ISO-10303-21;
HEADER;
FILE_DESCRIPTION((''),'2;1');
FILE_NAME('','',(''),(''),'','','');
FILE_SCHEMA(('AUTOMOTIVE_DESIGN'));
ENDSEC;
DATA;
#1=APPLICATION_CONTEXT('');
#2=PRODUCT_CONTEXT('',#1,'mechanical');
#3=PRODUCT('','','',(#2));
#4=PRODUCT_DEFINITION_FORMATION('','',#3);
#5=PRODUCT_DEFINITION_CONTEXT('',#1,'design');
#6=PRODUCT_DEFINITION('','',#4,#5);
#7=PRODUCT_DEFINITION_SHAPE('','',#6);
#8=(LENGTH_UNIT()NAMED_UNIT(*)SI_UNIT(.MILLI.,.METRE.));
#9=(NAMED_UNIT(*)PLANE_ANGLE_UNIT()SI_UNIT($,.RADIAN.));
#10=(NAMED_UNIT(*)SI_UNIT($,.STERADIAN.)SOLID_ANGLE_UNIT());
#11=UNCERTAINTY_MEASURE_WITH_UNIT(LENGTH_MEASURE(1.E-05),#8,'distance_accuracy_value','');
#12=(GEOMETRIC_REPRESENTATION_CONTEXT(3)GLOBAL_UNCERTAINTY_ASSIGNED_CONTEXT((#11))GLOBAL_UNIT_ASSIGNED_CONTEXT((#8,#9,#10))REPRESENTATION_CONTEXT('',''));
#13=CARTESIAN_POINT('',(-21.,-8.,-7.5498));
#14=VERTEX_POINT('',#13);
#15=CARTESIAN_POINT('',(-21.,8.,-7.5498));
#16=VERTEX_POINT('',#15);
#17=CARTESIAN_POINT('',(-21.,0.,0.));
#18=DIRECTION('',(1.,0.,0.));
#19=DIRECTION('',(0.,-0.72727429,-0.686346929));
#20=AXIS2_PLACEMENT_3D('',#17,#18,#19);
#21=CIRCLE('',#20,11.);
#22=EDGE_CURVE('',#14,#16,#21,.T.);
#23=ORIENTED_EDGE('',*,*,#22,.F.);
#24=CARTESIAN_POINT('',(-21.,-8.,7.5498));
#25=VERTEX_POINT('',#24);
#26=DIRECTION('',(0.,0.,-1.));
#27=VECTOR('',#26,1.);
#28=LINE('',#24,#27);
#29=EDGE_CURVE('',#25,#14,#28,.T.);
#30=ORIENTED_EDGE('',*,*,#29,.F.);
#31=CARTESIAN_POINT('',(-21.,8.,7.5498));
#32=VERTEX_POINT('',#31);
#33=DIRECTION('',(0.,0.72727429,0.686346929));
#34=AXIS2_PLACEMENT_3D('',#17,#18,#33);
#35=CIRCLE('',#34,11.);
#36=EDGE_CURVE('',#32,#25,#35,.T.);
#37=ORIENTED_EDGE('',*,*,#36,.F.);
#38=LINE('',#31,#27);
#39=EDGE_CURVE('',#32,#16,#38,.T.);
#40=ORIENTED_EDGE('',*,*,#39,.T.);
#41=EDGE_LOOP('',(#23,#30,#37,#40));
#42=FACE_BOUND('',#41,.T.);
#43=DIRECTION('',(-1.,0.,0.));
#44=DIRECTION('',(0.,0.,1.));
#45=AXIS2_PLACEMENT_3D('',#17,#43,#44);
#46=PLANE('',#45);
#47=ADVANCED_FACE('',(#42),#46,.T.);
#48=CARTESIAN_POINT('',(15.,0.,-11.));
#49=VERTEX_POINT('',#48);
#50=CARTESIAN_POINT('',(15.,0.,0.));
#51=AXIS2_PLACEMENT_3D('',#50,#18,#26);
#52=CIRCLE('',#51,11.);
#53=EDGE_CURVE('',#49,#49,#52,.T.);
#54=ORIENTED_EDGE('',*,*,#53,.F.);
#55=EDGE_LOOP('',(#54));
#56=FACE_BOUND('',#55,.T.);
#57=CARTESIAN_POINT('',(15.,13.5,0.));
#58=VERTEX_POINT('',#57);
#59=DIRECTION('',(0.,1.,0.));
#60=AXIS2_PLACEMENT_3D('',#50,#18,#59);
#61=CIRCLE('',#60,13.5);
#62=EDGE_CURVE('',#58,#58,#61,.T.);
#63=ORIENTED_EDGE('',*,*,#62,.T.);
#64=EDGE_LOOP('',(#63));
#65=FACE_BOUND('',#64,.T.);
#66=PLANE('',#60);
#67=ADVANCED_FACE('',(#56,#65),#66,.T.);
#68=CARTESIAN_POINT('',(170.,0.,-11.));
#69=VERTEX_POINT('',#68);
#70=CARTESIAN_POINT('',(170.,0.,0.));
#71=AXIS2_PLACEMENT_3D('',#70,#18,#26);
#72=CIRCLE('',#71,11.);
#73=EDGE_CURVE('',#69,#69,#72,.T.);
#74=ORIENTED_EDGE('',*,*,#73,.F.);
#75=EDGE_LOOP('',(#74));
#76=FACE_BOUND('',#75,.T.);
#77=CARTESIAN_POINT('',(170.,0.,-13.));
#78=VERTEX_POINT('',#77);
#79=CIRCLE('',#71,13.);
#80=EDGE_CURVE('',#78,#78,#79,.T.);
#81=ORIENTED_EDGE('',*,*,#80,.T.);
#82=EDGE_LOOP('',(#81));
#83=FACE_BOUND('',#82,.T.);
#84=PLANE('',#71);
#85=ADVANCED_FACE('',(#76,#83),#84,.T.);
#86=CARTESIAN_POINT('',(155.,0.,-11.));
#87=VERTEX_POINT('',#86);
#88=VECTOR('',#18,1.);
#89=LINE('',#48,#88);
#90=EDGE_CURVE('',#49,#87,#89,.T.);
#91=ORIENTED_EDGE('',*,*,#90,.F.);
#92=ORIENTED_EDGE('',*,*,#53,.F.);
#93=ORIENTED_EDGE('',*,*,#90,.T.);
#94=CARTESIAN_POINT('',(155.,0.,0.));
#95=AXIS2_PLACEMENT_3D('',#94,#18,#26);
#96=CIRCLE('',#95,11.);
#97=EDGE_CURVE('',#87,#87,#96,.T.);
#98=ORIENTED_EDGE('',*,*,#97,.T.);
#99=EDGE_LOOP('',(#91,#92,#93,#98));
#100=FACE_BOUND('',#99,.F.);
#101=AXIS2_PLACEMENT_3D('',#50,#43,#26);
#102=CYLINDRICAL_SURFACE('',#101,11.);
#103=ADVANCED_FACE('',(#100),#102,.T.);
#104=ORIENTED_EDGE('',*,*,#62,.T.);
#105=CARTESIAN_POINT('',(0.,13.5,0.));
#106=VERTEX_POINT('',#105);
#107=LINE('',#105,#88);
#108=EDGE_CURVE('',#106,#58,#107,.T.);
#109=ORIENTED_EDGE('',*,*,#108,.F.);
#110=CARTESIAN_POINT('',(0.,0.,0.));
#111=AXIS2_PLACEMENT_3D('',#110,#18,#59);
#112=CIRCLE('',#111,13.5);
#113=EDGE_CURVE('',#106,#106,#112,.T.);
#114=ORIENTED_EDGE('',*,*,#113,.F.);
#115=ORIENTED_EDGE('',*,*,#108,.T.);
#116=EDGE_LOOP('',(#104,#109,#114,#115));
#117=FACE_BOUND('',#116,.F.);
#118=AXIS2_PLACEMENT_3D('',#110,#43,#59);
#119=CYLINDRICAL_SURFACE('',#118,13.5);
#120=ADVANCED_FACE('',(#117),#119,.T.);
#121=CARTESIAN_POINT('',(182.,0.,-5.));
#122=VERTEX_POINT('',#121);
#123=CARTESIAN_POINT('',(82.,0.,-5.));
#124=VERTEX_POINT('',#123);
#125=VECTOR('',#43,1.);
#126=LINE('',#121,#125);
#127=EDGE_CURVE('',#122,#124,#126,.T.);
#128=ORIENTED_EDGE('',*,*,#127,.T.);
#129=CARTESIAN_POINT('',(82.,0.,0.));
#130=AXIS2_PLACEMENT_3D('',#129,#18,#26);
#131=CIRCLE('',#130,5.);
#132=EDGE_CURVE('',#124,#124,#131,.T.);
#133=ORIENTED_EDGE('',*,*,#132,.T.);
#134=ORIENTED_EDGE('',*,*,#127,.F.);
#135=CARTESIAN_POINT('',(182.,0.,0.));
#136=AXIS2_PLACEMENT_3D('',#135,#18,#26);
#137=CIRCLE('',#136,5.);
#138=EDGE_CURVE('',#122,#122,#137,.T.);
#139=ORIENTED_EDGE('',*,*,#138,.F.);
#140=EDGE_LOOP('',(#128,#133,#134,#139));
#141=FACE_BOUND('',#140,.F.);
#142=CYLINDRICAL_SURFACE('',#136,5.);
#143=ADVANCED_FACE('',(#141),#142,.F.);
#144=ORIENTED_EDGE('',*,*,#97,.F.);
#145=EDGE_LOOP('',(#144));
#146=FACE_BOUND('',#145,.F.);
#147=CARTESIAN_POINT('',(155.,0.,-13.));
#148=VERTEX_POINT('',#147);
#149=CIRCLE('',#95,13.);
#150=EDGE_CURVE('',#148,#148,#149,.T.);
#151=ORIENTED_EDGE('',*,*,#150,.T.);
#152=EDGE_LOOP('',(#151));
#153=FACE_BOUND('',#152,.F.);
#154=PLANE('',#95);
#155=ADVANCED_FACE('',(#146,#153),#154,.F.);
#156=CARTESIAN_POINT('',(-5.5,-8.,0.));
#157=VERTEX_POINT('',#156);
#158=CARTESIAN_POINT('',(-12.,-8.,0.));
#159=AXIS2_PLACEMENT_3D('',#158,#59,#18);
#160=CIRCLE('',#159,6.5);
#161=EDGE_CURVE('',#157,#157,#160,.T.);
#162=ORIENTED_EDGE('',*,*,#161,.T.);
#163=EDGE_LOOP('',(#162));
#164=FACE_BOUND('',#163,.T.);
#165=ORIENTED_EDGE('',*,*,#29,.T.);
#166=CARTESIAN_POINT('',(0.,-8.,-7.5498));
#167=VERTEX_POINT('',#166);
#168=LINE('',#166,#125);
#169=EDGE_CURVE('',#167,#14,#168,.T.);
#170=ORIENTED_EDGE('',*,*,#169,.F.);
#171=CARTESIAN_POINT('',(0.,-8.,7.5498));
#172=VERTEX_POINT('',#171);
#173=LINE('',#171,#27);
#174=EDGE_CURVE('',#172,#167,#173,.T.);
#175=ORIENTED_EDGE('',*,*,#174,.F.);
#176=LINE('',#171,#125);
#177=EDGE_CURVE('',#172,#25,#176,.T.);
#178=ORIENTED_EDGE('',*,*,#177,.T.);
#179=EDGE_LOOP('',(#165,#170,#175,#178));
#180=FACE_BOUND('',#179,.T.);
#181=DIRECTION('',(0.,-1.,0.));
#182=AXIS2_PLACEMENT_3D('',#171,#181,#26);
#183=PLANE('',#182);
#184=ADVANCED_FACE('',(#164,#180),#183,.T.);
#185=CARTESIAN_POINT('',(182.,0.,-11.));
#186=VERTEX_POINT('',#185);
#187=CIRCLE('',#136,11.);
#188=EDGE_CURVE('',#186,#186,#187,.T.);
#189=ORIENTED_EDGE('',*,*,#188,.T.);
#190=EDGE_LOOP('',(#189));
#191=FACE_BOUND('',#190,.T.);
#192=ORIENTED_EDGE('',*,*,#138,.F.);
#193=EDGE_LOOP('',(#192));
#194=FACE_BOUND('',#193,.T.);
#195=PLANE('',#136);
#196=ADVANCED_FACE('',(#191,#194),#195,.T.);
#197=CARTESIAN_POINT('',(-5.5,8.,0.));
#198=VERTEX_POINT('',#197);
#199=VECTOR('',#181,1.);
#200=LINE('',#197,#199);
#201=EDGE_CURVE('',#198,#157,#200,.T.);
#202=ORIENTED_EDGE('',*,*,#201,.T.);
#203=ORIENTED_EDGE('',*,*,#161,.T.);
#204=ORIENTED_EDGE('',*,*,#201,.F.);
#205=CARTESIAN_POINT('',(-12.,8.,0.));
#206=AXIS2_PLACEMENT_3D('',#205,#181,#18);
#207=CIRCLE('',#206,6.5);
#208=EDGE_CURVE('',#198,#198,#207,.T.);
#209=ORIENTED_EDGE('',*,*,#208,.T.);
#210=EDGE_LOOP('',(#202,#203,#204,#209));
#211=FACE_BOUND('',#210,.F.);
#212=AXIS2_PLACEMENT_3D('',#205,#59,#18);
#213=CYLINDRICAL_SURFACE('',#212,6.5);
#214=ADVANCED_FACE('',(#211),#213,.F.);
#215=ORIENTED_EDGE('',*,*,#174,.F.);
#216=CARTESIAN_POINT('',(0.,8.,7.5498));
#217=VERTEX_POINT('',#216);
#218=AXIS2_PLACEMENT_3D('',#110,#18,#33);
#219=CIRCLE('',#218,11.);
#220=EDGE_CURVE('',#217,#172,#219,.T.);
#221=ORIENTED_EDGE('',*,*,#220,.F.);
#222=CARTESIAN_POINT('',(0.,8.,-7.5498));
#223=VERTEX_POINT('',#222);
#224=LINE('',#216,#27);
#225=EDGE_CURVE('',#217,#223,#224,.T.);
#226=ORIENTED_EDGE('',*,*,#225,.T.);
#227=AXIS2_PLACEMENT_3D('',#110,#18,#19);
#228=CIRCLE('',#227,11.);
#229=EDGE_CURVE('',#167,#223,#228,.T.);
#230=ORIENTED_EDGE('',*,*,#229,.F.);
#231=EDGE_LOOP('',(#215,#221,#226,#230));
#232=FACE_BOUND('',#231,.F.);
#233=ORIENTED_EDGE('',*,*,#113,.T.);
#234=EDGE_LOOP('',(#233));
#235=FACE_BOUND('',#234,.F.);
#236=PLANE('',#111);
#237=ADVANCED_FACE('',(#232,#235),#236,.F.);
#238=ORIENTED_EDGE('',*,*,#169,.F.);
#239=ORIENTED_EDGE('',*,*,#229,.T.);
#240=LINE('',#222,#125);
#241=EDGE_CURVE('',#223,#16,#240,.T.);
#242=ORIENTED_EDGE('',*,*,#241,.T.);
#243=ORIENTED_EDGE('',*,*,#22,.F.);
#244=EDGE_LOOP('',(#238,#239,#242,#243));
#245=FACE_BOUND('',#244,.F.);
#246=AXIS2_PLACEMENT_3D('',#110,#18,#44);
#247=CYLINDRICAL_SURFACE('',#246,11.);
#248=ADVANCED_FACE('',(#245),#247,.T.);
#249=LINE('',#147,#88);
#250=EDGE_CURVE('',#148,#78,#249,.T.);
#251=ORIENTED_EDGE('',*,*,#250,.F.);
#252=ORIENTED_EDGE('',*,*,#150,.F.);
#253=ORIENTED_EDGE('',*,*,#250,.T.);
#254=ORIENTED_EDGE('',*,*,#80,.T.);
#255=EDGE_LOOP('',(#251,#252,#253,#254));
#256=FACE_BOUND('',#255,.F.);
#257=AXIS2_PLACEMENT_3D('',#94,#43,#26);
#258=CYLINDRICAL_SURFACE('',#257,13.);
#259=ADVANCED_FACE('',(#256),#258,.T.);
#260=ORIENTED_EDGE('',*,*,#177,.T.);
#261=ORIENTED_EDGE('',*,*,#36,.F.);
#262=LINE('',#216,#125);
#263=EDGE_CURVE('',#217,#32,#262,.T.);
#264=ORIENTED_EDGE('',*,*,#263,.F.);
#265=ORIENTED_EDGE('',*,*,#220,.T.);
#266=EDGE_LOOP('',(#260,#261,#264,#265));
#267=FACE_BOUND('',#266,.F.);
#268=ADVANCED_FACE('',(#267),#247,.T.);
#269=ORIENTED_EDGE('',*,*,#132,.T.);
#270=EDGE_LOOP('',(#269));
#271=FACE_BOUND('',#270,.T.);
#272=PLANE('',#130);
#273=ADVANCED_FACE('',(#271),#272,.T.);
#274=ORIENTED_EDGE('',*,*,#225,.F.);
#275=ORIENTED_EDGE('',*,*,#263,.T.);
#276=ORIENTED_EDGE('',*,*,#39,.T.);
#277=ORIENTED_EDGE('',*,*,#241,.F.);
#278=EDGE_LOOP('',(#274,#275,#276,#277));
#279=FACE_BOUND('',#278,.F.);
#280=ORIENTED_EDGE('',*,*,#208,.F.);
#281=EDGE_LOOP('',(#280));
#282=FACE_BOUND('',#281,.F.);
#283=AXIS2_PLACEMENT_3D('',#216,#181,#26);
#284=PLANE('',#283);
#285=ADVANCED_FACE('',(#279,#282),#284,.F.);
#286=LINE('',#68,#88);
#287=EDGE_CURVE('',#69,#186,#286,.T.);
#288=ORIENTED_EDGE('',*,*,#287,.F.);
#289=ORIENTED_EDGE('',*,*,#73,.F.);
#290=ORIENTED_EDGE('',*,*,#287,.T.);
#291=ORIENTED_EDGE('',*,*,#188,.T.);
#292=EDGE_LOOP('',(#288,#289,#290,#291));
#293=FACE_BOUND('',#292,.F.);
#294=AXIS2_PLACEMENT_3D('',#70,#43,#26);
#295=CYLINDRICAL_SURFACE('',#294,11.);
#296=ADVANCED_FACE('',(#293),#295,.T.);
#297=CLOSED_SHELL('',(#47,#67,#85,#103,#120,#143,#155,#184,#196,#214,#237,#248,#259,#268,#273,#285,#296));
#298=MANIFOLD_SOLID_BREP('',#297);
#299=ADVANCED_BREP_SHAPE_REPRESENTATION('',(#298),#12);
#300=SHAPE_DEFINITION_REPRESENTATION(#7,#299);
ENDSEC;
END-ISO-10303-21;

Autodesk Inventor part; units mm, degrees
ref_plane "YZ Plane" through (0, 0, 0) normal (1, 0, 0) x (0, 1, 0)
ref_plane "XZ Plane" through (0, 0, 0) normal (0, 1, 0) x (-1, 0, 0)
ref_plane "XY Plane" through (0, 0, 0) normal (0, 0, 1) x (1, 0, 0)
sketch "スケッチ1" plane through (0, 0, 0) normal (1, 0, 0) x (0, 1, 0)
  circle A0 centre (0, 0) radius 13.5
  dimension "d0" = 27
extrude "押し出し1" add sketch "スケッチ1" along normal blind 15
sketch "スケッチ2" plane through (15, 0, 0) normal (1, 0, 0) x (0, 0, -1)
  circle A0 centre (0, 0) radius 11
  dimension "d3" = 22
extrude "押し出し2" add sketch "スケッチ2" along normal blind 140
sketch "スケッチ3" plane through (155, 0, 0) normal (1, 0, 0) x (0, 0, -1)
  circle A0 centre (0, 0) radius 13
  dimension "d6" = 26
extrude "押し出し3" add sketch "スケッチ3" along normal blind 15
sketch "スケッチ4" plane through (170, 0, 0) normal (1, 0, 0) x (0, 0, -1)
  circle A0 centre (0, 0) radius 11
  dimension "d9" = 22
extrude "押し出し4" add sketch "スケッチ4" along normal blind 12
thread "ねじ1" size "M22x3" class "6g" standard "ANSI Metric M Profile" full length
sketch "スケッチ5" plane through (0, 0, 0) normal (-1, 0, 0) x (0, 0, 1)
  circle A0 centre (0, 0) radius 11
  line L0 (7.5498, 8) -> (-7.5498, 8)
  line L1 (0, 0) -> (-11, 0)
  line L2 (7.5498, -8) -> (-7.5498, -8)
  dimension "d14" = 22
  dimension "d15" = 8
extrude "押し出し5" add sketch "スケッチ5" along normal blind 21 contours A0 L2 L0
thread "ねじ2" size "M22x3" class "6g" standard "ANSI Metric M Profile" full length
sketch "スケッチ6" plane through (0, 8, 7.5498) normal (0, 1, 0) x (1, 0, 0)
  circle A0 centre (-12, 7.5498) radius 6.5
  line L0 (-21, 0) -> (-21, 15.0997) projected
  line L1 (-21, 7.5498) -> (0, 7.5498)
  dimension "d20" = 13
  dimension "d21" = 0
  dimension "d22" = 9
extrude "押し出し6" cut sketch "スケッチ6" against normal through all
sketch "スケッチ7" plane through (182, 0, 0) normal (1, 0, 0) x (0, 0, -1)
  circle A0 centre (0, 0) radius 5
  dimension "d25" = 10
extrude "押し出し7" cut sketch "スケッチ7" against normal blind 100
properties part number "aircilinder_100_under" material "アルミニウム 6061"
